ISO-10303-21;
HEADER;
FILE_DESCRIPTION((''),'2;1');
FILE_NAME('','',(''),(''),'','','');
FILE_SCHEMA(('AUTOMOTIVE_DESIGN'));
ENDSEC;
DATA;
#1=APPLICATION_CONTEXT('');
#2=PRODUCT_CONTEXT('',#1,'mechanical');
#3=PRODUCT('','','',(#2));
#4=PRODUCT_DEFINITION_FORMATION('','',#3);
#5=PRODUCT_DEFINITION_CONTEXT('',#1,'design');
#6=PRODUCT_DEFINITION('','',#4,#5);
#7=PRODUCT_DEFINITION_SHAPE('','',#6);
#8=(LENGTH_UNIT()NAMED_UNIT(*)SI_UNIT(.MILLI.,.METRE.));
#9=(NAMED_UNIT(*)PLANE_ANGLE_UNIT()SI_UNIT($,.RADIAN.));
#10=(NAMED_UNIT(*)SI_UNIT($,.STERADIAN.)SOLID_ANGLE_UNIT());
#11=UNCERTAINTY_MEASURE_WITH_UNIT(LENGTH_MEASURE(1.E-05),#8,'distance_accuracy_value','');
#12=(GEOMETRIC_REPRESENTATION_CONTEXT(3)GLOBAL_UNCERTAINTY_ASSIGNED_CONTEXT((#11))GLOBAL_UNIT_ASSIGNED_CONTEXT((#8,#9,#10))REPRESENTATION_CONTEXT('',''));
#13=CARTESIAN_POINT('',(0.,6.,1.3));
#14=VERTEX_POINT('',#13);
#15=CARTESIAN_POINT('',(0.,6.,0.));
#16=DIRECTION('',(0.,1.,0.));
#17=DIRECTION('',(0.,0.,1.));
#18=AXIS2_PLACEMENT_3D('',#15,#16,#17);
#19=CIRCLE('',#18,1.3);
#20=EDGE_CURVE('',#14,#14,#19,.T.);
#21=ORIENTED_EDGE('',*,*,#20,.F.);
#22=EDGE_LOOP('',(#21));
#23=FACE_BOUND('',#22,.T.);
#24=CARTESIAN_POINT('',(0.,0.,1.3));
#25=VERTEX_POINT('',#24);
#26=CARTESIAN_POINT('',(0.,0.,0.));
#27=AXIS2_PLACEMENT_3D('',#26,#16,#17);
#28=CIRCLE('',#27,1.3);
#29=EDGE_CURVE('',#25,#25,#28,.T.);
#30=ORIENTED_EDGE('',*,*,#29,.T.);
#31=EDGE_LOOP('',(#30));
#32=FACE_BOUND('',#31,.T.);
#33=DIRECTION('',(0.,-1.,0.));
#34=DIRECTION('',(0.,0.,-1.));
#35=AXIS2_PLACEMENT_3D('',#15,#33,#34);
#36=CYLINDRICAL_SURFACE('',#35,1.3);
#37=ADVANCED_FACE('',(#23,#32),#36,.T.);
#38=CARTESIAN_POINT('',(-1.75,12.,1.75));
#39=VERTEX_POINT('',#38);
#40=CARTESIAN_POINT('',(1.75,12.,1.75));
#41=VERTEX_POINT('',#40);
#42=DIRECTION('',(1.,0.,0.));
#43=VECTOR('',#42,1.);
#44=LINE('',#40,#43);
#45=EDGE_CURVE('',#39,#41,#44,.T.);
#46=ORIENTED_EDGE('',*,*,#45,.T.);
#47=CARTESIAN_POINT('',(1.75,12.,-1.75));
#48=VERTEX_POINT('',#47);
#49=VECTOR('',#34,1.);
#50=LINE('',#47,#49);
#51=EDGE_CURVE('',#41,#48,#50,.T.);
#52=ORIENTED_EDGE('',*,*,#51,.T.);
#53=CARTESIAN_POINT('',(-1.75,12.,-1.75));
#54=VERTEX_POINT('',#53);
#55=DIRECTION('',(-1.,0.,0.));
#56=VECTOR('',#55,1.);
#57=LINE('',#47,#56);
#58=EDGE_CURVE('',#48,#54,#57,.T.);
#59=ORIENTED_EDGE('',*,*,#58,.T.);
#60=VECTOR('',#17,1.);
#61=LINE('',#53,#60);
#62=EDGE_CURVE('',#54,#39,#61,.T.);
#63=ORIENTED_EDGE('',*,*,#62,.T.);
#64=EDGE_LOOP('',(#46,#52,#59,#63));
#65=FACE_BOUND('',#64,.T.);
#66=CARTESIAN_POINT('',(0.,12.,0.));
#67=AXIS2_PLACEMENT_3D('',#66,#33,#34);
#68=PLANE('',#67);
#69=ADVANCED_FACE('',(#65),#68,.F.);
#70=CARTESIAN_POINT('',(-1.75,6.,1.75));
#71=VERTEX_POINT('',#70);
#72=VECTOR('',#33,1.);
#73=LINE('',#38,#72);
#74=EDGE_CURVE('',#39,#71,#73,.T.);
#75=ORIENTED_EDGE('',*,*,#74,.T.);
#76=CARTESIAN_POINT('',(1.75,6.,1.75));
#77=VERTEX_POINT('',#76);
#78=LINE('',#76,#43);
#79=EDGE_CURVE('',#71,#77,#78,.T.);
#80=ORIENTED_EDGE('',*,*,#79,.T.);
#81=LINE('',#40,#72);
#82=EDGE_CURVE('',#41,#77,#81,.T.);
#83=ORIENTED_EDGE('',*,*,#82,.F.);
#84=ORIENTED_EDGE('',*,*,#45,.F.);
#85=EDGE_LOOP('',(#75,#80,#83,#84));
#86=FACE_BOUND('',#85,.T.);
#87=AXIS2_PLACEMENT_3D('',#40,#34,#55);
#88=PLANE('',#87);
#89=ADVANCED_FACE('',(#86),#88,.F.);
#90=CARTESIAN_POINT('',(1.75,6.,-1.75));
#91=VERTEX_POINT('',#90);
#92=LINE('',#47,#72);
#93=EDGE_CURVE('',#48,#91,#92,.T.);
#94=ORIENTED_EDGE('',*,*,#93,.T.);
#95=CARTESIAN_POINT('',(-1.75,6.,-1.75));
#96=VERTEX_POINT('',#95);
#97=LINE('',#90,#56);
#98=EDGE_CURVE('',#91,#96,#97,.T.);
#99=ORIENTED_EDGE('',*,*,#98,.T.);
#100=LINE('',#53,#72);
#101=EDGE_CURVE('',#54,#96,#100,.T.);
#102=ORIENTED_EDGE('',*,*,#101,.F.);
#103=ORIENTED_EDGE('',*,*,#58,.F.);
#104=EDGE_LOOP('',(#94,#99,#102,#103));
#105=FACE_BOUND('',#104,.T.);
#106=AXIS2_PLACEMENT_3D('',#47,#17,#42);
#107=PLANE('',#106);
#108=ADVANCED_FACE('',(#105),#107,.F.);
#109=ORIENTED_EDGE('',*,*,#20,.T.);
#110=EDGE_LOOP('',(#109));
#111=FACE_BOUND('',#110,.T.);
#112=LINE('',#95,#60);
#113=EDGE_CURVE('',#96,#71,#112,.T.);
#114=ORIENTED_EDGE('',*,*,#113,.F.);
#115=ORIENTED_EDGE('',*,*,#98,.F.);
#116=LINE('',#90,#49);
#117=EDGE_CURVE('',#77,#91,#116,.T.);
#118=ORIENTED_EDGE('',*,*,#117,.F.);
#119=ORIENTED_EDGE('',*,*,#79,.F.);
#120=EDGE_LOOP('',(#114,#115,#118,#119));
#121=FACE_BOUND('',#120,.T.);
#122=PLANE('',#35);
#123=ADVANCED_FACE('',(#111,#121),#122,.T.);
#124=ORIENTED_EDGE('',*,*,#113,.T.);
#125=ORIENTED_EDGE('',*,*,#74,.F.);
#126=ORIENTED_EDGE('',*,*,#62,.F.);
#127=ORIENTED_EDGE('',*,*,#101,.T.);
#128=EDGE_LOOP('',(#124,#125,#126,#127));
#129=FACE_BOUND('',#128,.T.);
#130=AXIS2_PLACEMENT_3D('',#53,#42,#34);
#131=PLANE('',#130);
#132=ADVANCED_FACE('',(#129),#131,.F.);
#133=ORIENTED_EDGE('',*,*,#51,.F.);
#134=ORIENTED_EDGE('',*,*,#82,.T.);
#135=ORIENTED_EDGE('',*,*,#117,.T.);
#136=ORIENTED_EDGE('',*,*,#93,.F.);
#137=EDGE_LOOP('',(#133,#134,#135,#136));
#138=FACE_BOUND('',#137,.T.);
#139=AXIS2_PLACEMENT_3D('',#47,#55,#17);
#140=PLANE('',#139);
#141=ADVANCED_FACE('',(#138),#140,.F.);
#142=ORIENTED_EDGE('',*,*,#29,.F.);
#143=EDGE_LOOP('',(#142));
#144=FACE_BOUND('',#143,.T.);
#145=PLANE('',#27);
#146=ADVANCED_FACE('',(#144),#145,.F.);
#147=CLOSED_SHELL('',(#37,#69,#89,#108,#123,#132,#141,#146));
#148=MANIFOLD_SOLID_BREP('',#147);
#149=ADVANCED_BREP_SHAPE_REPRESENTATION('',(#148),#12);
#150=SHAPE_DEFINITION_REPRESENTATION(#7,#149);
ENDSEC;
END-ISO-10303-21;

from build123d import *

# Parameters (mm, degrees)
SKETCH1_R           = 1.3
BOSS_EXTRUDE1_DEPTH = 6
SKETCH2_W           = 3.5
SKETCH2_H           = 3.5
BOSS_EXTRUDE2_DEPTH = 6


with BuildPart() as part:
    # Sketch1 → Boss-Extrude1 (new body)
    with BuildSketch(Plane(origin=(0, 0, 0), x_dir=(1, 0, 0), z_dir=(0, 1, 0))):
        with Locations(Location((0, 0, 0), (0, 0, 270))):
            Circle(SKETCH1_R)
    extrude(amount=BOSS_EXTRUDE1_DEPTH)

    # Sketch2 → Boss-Extrude2 (add)
    with BuildSketch(Plane(origin=(0, 6, 0), x_dir=(1, 0, 0), z_dir=(0, 1, 0))):
        Rectangle(SKETCH2_W, SKETCH2_H)
    extrude(amount=BOSS_EXTRUDE2_DEPTH)


solid = part.part
